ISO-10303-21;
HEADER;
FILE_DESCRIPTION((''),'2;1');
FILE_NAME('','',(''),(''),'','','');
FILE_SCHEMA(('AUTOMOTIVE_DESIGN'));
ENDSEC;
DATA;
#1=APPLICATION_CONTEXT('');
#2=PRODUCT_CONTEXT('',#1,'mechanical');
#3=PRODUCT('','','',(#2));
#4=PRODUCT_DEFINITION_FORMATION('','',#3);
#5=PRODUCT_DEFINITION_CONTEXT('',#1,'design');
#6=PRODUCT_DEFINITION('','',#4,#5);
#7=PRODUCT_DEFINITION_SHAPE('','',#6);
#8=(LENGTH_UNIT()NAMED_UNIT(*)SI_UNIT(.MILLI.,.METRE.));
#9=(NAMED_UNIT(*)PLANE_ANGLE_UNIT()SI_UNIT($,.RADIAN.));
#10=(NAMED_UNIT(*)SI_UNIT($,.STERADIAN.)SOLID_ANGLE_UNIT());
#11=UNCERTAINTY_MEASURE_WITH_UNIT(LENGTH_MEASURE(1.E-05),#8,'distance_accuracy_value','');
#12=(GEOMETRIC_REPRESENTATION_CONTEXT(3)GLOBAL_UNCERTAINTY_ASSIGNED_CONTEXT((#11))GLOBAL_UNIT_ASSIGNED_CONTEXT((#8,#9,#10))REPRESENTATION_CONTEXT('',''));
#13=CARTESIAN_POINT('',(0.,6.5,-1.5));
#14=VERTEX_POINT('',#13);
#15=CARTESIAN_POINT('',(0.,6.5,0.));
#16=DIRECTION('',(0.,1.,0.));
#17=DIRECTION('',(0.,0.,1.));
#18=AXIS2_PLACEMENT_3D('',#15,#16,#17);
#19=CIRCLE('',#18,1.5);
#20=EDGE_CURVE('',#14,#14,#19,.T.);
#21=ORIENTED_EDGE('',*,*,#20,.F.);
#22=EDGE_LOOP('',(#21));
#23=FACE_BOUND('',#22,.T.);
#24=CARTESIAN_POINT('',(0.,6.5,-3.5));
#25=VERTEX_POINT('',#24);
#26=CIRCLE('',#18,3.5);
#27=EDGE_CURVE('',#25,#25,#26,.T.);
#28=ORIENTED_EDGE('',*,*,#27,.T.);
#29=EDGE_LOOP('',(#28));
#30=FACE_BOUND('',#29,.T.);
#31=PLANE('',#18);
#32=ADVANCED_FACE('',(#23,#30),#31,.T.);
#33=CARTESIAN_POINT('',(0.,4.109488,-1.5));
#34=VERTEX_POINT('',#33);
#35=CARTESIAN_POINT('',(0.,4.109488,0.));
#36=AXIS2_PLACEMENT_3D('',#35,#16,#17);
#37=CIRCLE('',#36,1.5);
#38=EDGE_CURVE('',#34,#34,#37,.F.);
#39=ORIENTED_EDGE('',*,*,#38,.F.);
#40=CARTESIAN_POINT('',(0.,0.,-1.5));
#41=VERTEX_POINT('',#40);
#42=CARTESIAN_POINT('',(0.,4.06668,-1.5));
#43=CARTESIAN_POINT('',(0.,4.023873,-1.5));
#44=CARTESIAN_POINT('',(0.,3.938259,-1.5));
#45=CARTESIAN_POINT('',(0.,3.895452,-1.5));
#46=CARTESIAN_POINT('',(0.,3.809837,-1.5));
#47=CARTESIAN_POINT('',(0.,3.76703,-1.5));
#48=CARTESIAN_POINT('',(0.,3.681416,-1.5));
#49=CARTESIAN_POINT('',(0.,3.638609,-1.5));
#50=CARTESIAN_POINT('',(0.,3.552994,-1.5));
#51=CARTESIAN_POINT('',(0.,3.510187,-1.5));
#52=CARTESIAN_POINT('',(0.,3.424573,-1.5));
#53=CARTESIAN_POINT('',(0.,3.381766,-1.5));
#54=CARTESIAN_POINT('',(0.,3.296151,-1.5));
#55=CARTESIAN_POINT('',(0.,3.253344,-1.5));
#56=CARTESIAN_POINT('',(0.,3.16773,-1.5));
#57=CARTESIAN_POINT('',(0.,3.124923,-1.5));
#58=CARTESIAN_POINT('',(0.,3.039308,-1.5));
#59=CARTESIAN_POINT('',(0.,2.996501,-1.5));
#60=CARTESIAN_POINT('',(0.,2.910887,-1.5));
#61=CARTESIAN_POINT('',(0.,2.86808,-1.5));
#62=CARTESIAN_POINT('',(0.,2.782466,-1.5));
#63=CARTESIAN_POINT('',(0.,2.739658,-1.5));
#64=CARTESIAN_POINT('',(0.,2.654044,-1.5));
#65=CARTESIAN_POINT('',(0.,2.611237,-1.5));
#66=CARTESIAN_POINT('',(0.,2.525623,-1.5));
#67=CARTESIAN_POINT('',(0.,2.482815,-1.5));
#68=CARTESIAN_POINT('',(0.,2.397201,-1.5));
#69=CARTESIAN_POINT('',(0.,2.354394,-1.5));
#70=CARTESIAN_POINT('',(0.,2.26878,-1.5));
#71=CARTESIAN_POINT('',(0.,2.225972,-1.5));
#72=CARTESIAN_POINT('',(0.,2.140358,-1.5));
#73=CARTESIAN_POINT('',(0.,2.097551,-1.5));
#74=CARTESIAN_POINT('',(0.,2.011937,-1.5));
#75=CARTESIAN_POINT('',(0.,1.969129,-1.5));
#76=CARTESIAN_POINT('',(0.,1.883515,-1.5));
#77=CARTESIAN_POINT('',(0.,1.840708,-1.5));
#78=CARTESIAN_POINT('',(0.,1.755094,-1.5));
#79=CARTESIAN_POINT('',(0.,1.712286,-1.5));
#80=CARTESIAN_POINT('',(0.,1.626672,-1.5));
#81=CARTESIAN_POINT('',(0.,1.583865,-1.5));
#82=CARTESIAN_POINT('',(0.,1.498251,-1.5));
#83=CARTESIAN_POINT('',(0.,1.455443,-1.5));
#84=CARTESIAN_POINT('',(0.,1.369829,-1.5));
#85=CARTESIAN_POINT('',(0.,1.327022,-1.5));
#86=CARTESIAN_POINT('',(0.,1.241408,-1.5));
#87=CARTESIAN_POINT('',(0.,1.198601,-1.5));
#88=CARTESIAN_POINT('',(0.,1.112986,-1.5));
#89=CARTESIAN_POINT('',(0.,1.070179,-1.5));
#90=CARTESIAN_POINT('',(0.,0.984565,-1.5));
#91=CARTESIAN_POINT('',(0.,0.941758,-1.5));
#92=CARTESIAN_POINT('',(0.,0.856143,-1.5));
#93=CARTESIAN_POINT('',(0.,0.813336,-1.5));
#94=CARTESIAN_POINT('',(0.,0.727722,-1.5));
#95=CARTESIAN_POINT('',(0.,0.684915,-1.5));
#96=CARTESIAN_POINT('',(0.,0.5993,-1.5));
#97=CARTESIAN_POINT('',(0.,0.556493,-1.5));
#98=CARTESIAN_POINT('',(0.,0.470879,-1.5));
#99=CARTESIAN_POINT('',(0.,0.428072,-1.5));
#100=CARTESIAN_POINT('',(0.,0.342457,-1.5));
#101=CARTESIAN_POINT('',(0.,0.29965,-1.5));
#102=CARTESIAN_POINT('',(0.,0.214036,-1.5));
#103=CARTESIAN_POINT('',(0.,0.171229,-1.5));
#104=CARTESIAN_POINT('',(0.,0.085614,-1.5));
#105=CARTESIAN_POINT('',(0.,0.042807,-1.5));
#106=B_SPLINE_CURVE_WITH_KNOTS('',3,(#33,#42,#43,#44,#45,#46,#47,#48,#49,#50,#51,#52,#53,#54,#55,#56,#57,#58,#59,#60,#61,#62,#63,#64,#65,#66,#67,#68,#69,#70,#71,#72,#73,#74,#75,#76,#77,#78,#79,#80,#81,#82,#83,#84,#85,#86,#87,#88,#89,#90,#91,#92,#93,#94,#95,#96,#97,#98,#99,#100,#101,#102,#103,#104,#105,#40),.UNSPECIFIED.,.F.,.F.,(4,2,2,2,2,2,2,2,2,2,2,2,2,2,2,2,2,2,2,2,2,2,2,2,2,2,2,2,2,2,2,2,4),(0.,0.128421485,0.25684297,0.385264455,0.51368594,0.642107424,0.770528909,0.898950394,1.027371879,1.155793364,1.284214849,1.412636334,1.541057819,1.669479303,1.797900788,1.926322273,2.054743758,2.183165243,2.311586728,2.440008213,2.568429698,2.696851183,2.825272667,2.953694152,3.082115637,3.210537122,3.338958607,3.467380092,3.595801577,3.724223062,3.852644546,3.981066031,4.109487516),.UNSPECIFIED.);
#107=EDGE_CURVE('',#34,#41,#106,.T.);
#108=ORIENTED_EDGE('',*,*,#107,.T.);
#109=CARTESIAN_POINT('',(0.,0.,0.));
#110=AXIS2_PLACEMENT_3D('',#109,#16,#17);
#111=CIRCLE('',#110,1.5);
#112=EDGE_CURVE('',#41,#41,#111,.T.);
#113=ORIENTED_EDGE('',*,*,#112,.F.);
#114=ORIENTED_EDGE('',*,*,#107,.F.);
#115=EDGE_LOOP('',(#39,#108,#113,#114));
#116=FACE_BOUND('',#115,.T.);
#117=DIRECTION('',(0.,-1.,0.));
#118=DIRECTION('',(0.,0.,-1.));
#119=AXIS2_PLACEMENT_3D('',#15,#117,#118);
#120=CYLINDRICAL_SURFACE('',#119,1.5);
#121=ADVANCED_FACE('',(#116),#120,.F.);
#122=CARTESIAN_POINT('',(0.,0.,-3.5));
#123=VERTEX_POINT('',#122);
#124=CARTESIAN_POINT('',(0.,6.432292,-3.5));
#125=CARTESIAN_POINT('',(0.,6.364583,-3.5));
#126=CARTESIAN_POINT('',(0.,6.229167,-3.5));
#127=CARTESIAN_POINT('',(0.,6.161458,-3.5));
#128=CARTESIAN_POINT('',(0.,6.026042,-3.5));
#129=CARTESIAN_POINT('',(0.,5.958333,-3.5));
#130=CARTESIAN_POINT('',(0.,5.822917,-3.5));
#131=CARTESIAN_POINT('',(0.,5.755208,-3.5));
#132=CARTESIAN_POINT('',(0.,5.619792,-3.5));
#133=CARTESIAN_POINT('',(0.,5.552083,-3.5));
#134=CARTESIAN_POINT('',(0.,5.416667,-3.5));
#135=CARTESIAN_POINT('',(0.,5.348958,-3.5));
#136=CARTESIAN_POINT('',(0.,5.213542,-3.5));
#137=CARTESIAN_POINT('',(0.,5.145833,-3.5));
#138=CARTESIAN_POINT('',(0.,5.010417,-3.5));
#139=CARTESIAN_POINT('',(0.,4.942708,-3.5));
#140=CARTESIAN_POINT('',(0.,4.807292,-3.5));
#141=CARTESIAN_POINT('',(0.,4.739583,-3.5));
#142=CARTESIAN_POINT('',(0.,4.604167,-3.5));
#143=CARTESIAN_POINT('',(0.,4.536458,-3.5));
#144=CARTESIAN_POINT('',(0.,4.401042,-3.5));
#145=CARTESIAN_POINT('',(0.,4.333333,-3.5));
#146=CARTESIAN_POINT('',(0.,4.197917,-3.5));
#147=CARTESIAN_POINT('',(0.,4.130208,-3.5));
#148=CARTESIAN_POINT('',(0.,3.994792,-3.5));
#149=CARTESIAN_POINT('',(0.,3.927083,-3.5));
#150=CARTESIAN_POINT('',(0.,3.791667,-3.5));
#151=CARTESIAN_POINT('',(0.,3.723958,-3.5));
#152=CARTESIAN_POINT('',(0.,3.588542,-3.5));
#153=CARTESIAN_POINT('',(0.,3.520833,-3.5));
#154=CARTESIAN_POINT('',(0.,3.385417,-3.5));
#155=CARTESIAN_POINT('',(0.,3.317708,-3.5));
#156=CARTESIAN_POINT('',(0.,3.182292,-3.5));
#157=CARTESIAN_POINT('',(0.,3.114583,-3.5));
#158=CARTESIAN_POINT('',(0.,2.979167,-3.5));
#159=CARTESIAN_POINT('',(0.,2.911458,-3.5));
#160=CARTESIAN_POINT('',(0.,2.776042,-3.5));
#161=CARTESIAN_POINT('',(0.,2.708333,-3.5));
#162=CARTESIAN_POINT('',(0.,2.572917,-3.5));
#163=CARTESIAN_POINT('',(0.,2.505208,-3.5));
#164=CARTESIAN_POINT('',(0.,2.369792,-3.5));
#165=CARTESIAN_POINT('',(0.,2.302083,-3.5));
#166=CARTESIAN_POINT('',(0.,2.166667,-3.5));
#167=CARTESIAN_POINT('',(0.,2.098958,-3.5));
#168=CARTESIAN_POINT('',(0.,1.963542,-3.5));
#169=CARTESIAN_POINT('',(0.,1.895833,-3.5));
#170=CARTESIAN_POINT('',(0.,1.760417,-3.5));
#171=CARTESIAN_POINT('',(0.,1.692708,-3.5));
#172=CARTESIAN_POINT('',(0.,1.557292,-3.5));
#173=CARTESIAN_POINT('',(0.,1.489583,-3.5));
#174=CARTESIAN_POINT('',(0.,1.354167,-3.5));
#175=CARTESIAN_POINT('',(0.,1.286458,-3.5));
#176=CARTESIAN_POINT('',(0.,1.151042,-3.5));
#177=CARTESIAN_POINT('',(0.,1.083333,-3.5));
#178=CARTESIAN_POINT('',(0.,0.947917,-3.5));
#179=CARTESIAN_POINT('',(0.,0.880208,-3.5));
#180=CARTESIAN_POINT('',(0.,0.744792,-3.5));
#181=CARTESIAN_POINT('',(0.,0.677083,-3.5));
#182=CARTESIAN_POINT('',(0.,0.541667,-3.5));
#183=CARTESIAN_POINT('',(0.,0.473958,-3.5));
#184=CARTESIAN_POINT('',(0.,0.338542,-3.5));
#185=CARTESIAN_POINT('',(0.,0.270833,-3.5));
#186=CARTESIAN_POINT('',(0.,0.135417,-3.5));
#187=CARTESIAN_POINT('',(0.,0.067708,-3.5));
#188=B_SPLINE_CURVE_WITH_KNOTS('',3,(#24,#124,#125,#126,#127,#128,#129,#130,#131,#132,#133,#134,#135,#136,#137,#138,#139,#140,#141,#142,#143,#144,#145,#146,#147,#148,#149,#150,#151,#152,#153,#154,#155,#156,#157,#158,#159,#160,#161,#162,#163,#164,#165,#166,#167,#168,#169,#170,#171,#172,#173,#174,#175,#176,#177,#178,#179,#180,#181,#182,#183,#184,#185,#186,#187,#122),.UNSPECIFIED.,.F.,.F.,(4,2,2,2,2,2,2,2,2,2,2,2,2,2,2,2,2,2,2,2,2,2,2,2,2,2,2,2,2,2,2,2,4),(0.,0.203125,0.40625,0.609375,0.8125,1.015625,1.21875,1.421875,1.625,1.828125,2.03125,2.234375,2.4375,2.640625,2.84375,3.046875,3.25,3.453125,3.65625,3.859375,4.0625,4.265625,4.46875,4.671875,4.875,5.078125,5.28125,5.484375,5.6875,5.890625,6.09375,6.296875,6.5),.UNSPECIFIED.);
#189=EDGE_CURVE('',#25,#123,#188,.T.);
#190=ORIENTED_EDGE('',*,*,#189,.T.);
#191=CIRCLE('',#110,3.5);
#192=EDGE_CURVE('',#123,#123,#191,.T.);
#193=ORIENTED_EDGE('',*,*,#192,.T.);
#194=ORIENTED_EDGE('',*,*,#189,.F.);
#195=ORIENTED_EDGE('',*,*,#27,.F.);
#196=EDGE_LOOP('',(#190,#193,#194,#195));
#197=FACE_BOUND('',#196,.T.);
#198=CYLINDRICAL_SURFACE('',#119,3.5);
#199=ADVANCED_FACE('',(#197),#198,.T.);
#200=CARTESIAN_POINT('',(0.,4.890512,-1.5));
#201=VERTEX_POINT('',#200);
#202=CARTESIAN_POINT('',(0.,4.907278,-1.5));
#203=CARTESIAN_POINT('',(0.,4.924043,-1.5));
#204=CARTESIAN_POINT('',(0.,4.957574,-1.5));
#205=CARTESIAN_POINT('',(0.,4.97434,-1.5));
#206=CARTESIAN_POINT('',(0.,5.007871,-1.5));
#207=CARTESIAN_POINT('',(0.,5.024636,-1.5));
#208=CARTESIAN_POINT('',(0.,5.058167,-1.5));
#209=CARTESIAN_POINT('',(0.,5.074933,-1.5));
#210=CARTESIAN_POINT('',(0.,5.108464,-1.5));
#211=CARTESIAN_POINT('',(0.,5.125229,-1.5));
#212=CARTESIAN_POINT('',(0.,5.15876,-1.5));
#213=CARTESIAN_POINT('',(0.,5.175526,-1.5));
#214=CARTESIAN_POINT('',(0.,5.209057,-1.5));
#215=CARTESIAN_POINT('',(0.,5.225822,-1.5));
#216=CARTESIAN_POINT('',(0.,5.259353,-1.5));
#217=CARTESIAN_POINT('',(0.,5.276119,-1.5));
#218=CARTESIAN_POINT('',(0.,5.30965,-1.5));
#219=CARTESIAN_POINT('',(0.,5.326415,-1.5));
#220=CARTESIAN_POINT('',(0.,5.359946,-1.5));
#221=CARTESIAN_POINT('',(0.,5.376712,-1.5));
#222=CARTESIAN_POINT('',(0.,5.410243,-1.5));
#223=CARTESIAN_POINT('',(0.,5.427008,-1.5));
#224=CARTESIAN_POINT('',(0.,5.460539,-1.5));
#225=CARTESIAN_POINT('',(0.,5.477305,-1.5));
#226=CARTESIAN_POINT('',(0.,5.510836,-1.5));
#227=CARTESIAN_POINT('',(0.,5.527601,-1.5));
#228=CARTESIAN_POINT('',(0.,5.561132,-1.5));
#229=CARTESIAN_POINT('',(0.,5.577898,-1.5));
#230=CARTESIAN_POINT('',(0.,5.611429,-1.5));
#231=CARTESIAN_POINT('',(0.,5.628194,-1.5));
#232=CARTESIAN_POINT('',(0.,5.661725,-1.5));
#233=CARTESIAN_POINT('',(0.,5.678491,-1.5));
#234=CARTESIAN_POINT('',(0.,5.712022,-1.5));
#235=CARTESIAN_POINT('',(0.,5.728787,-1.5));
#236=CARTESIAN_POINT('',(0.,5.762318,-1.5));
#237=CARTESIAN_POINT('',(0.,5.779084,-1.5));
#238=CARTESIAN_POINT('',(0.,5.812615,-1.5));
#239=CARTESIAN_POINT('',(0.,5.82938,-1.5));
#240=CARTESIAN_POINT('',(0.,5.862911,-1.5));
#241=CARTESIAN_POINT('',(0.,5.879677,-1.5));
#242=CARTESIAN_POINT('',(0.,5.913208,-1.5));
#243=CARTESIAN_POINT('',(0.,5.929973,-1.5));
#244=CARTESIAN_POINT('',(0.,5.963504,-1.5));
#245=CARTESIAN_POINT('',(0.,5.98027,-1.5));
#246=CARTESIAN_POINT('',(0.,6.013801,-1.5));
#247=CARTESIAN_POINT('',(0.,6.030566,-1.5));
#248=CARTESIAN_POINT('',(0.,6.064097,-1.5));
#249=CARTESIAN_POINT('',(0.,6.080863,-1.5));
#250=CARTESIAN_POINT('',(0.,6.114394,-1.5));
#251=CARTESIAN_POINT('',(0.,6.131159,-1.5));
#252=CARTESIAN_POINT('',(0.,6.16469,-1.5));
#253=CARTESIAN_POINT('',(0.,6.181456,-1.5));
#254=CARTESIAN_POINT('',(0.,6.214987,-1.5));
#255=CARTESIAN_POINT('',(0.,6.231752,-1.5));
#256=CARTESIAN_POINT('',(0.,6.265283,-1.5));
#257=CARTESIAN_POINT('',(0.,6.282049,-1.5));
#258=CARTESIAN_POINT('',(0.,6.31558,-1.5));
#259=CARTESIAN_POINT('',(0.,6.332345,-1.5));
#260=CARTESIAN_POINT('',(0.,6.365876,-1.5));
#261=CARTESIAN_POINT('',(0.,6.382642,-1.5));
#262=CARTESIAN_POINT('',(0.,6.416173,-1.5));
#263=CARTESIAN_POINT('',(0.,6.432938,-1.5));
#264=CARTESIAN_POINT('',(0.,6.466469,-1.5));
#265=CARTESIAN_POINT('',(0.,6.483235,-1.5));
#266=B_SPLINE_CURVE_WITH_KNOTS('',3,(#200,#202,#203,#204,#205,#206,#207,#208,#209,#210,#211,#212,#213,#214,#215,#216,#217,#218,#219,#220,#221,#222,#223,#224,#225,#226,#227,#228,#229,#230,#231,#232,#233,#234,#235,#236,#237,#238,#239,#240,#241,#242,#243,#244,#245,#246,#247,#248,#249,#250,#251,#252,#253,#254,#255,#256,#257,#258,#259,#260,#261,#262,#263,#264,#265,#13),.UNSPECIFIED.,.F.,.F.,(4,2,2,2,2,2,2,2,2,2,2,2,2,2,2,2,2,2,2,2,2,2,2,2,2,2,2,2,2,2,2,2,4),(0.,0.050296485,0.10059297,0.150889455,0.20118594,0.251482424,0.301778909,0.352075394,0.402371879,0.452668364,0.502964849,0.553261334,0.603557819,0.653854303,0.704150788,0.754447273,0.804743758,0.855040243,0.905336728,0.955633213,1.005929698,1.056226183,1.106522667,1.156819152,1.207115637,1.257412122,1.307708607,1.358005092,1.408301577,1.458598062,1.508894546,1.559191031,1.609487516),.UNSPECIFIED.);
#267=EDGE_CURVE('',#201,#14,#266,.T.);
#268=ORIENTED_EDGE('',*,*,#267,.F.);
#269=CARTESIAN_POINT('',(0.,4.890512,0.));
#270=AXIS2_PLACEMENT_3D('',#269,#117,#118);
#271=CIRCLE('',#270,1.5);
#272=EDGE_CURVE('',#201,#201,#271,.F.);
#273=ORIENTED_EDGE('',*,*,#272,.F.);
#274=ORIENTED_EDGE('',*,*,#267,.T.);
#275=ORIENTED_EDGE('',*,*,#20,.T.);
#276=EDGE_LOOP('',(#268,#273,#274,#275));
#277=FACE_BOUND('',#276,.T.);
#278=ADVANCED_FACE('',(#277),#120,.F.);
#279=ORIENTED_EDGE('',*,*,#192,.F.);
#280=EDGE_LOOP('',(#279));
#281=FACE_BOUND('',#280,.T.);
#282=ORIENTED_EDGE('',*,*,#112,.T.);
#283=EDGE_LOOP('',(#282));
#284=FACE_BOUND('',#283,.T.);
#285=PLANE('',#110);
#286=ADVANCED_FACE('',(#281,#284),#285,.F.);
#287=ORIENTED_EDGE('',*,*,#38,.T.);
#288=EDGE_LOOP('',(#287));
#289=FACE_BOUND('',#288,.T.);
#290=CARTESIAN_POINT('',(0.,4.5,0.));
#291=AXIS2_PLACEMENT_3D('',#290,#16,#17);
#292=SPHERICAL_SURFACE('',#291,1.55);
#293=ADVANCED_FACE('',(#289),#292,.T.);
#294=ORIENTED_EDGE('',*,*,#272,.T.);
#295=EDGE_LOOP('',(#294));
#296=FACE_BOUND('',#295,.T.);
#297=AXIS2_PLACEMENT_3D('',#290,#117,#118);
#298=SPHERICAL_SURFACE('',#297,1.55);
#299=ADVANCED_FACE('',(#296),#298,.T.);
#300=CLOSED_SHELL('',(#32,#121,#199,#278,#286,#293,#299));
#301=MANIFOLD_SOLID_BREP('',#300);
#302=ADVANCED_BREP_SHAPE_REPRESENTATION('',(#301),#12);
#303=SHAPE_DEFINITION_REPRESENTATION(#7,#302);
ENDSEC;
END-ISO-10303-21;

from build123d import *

# Parameters (mm, degrees)
SKETCH_1_R      = 3.5
SKETCH_1_R_2    = 1.5
EXTRUDE_1_DEPTH = 6.5


with BuildPart() as part:
    # 草图1 → 凸台-拉伸1 (new body)
    with BuildSketch(Plane(origin=(0, 0, 0), x_dir=(1, 0, 0), z_dir=(0, 1, 0))):
        with Locations(Location((0, 0, 0), (0, 0, 90))):
            Circle(SKETCH_1_R)
        with Locations(Location((0, 0, 0), (0, 0, 90))):
            Circle(SKETCH_1_R_2, mode=Mode.SUBTRACT)
    extrude(amount=EXTRUDE_1_DEPTH)

    # 草图3 → 旋转5 (revolve)
    with BuildSketch(Plane(origin=(0, 4.5, 0), x_dir=(1, 0, 0), z_dir=(0, 1, 0))):
        with BuildLine():
            Line((-1.55, 0), (1.55, 0))
            ThreePointArc((1.55, 0), (0, -1.55), (-1.55, 0))
        make_face()
    revolve(axis=Axis((-3.959014724, 4.5, 0), (1, 0, 0)))


solid = part.part
